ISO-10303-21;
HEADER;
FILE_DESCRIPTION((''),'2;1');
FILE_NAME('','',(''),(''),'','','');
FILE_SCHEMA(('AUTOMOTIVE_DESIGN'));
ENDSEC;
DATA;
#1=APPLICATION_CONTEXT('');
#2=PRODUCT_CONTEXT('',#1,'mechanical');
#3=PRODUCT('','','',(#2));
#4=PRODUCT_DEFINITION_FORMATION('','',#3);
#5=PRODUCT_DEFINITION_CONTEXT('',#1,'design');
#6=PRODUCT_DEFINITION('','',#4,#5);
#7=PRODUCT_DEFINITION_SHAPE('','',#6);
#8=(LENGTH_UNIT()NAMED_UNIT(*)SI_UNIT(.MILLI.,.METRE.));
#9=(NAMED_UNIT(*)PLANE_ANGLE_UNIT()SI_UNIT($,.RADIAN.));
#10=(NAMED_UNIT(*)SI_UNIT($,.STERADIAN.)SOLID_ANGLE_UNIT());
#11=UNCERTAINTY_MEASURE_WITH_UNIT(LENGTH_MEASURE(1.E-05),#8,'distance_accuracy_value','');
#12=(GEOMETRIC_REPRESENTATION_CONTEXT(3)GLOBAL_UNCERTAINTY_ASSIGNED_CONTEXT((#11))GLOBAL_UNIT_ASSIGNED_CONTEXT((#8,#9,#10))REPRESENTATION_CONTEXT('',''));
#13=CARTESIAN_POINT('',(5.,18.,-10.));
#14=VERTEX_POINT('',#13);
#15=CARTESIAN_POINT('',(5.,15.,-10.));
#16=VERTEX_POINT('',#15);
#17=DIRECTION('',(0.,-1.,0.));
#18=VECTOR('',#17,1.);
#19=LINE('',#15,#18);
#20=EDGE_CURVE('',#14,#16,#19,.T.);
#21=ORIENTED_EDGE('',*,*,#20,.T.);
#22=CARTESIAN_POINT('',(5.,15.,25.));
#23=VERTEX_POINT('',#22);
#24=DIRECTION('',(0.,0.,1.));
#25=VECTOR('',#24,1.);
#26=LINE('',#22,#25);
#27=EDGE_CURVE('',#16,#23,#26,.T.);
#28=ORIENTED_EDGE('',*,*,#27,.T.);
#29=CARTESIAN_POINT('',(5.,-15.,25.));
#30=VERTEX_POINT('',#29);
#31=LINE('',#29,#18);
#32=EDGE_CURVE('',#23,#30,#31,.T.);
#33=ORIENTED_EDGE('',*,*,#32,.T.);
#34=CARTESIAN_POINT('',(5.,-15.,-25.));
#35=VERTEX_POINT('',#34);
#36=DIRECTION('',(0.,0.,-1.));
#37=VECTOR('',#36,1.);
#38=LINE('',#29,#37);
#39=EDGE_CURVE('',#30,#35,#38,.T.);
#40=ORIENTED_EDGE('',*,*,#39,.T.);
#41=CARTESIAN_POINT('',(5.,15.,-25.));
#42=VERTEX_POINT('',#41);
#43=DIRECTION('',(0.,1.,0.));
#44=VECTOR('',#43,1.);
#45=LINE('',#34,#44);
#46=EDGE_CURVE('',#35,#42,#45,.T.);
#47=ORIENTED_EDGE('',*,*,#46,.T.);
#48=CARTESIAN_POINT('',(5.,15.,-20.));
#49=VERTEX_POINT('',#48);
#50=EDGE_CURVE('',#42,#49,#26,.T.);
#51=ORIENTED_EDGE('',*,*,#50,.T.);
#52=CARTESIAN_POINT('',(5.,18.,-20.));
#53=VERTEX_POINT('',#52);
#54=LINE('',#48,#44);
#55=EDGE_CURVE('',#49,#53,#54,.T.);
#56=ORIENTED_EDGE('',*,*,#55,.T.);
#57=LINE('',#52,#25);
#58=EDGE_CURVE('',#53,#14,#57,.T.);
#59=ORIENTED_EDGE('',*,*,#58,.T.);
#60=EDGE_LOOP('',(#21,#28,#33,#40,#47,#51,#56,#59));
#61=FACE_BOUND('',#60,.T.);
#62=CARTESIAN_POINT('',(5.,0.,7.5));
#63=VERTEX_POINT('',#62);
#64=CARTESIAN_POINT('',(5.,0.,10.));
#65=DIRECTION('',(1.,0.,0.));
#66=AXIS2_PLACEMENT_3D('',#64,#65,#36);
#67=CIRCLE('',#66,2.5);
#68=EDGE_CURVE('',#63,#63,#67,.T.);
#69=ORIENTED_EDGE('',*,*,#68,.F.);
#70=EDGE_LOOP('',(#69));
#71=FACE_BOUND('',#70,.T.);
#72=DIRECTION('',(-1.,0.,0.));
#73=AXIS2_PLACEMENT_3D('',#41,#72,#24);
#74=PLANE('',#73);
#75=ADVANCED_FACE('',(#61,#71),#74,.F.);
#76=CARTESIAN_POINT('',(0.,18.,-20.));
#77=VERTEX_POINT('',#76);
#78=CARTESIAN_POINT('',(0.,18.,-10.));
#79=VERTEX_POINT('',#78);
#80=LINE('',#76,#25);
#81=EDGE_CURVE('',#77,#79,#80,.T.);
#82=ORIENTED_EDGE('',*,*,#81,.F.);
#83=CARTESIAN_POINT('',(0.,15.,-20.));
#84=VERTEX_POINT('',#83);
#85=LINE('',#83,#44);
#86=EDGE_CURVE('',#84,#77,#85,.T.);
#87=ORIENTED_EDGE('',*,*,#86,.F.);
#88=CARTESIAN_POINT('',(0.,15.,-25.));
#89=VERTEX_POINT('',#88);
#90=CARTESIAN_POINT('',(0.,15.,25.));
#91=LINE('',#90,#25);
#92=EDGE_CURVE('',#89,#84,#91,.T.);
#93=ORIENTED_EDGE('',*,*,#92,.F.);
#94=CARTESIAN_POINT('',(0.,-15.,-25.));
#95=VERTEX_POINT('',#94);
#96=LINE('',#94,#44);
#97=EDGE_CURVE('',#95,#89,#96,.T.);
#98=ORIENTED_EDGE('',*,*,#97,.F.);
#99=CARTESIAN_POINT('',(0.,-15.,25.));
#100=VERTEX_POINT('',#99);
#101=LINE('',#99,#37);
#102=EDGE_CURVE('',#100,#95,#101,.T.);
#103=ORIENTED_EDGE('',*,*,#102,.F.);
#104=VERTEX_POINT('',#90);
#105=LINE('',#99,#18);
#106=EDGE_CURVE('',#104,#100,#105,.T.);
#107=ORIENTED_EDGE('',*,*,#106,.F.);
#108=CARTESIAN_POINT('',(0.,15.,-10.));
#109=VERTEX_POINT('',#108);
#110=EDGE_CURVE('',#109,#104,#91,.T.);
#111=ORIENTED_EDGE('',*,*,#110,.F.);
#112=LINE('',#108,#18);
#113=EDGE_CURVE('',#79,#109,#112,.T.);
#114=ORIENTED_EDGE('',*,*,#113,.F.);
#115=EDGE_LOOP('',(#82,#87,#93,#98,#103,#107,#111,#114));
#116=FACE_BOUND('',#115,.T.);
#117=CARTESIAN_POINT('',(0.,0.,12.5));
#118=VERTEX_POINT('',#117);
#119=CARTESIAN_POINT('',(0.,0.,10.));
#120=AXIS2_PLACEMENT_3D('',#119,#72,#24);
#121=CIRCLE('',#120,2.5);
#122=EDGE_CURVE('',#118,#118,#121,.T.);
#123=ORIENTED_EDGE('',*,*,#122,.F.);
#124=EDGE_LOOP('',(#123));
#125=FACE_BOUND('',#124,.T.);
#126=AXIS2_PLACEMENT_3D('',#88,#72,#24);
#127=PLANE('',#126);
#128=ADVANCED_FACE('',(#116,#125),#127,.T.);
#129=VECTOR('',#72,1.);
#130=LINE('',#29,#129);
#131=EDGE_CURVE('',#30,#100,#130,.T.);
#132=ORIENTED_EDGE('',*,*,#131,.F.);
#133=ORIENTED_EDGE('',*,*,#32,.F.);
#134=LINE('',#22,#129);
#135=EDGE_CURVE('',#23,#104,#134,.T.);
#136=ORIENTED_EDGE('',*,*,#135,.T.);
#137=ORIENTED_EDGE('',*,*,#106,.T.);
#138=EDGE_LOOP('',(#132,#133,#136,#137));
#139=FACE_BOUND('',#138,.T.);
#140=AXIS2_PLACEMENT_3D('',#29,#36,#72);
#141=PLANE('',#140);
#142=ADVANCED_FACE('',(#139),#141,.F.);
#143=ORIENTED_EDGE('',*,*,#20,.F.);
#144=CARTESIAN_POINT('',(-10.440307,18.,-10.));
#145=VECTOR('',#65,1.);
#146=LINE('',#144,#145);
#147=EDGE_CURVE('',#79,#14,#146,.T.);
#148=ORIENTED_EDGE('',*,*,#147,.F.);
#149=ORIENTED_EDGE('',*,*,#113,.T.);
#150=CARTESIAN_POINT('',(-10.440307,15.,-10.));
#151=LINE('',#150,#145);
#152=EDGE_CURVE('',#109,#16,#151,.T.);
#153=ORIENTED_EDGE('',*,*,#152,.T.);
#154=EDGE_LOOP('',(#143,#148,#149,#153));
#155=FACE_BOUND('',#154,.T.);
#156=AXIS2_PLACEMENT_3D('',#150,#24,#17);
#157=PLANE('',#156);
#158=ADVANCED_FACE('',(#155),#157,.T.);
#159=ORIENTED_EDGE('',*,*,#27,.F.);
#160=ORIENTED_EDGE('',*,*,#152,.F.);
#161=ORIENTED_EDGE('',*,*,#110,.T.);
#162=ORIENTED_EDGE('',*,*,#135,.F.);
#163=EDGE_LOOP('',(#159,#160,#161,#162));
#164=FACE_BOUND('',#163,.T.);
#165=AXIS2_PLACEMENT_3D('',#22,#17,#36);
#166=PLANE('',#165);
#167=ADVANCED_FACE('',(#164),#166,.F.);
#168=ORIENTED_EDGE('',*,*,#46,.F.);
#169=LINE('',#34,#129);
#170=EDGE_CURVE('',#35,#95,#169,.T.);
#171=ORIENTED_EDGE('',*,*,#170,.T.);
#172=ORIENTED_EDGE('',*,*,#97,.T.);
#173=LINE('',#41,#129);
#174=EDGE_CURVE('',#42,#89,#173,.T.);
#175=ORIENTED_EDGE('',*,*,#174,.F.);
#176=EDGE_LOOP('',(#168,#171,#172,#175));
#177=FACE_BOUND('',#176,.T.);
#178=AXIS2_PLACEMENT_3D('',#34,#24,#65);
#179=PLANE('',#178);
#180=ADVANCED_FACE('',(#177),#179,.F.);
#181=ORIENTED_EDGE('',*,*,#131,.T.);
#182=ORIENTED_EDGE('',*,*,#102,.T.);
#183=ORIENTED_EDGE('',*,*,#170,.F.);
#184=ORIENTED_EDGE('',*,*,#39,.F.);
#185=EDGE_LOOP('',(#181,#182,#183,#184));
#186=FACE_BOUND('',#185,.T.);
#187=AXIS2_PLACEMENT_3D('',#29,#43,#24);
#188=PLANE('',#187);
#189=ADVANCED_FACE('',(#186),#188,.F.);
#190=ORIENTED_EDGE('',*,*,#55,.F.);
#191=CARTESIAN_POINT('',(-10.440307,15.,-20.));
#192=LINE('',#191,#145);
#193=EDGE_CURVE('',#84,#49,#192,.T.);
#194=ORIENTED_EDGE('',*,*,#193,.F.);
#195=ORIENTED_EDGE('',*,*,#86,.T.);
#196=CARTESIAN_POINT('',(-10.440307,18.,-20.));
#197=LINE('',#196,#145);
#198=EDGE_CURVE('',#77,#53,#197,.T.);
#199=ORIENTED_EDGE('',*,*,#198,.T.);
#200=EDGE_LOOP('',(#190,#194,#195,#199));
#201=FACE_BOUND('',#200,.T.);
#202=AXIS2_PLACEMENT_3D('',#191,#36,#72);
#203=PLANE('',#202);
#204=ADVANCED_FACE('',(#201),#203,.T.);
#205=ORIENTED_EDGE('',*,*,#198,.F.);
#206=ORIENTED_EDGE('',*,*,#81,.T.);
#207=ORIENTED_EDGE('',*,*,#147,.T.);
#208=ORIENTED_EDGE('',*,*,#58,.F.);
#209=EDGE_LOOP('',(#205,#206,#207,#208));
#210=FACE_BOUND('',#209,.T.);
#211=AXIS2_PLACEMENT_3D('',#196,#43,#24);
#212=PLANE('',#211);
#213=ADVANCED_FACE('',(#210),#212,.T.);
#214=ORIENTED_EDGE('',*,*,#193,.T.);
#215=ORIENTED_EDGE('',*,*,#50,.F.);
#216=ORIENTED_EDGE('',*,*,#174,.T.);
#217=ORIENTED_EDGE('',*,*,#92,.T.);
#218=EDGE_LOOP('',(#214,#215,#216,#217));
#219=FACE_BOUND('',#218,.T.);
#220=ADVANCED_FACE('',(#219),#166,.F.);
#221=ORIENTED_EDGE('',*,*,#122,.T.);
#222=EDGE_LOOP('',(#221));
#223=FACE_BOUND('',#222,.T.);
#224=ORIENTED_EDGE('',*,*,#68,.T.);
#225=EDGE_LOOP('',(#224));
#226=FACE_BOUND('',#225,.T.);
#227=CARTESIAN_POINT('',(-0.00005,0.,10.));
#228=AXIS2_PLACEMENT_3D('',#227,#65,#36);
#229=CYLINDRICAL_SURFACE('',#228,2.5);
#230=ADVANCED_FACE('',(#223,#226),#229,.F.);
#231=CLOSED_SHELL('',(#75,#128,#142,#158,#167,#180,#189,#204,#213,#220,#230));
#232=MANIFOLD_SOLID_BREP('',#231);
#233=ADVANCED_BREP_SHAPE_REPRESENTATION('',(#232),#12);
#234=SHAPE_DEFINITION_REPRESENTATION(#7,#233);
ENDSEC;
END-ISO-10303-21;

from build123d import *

# Parameters (mm, degrees)
SKETCH1_W          = 50
SKETCH1_H          = 30
EXTRUDE1_DEPTH     = 5
SKETCH2_W          = 10
SKETCH2_H          = 3
EXTRUDE2_DEPTH     = 5
SKETCH3_R          = 2.5
CUT_EXTRUDE1_DEPTH = 32.208973069


with BuildPart() as part:
    # Sketch1 → Extrude1 (new body)
    with BuildSketch(Plane(origin=(0, 0, 0), x_dir=(0, 0, -1), z_dir=(1, 0, 0))):
        Rectangle(SKETCH1_W, SKETCH1_H)
    extrude(amount=EXTRUDE1_DEPTH)

    # Sketch2 → Extrude2 (add)
    with BuildSketch(Plane(origin=(5, 0, 0), x_dir=(0, 0, -1), z_dir=(1, 0, 0))):
        with Locations((15, 16.5)):
            Rectangle(SKETCH2_W, SKETCH2_H)
    extrude(amount=-EXTRUDE2_DEPTH)

    # Sketch3 → Cut-Extrude1 (cut, through all)
    with BuildSketch(Plane(origin=(5, 0, 0), x_dir=(0, 0, -1), z_dir=(1, 0, 0))):
        with Locations((-10, 0)):
            Circle(SKETCH3_R)
    extrude(amount=-CUT_EXTRUDE1_DEPTH, mode=Mode.SUBTRACT)


solid = part.part
